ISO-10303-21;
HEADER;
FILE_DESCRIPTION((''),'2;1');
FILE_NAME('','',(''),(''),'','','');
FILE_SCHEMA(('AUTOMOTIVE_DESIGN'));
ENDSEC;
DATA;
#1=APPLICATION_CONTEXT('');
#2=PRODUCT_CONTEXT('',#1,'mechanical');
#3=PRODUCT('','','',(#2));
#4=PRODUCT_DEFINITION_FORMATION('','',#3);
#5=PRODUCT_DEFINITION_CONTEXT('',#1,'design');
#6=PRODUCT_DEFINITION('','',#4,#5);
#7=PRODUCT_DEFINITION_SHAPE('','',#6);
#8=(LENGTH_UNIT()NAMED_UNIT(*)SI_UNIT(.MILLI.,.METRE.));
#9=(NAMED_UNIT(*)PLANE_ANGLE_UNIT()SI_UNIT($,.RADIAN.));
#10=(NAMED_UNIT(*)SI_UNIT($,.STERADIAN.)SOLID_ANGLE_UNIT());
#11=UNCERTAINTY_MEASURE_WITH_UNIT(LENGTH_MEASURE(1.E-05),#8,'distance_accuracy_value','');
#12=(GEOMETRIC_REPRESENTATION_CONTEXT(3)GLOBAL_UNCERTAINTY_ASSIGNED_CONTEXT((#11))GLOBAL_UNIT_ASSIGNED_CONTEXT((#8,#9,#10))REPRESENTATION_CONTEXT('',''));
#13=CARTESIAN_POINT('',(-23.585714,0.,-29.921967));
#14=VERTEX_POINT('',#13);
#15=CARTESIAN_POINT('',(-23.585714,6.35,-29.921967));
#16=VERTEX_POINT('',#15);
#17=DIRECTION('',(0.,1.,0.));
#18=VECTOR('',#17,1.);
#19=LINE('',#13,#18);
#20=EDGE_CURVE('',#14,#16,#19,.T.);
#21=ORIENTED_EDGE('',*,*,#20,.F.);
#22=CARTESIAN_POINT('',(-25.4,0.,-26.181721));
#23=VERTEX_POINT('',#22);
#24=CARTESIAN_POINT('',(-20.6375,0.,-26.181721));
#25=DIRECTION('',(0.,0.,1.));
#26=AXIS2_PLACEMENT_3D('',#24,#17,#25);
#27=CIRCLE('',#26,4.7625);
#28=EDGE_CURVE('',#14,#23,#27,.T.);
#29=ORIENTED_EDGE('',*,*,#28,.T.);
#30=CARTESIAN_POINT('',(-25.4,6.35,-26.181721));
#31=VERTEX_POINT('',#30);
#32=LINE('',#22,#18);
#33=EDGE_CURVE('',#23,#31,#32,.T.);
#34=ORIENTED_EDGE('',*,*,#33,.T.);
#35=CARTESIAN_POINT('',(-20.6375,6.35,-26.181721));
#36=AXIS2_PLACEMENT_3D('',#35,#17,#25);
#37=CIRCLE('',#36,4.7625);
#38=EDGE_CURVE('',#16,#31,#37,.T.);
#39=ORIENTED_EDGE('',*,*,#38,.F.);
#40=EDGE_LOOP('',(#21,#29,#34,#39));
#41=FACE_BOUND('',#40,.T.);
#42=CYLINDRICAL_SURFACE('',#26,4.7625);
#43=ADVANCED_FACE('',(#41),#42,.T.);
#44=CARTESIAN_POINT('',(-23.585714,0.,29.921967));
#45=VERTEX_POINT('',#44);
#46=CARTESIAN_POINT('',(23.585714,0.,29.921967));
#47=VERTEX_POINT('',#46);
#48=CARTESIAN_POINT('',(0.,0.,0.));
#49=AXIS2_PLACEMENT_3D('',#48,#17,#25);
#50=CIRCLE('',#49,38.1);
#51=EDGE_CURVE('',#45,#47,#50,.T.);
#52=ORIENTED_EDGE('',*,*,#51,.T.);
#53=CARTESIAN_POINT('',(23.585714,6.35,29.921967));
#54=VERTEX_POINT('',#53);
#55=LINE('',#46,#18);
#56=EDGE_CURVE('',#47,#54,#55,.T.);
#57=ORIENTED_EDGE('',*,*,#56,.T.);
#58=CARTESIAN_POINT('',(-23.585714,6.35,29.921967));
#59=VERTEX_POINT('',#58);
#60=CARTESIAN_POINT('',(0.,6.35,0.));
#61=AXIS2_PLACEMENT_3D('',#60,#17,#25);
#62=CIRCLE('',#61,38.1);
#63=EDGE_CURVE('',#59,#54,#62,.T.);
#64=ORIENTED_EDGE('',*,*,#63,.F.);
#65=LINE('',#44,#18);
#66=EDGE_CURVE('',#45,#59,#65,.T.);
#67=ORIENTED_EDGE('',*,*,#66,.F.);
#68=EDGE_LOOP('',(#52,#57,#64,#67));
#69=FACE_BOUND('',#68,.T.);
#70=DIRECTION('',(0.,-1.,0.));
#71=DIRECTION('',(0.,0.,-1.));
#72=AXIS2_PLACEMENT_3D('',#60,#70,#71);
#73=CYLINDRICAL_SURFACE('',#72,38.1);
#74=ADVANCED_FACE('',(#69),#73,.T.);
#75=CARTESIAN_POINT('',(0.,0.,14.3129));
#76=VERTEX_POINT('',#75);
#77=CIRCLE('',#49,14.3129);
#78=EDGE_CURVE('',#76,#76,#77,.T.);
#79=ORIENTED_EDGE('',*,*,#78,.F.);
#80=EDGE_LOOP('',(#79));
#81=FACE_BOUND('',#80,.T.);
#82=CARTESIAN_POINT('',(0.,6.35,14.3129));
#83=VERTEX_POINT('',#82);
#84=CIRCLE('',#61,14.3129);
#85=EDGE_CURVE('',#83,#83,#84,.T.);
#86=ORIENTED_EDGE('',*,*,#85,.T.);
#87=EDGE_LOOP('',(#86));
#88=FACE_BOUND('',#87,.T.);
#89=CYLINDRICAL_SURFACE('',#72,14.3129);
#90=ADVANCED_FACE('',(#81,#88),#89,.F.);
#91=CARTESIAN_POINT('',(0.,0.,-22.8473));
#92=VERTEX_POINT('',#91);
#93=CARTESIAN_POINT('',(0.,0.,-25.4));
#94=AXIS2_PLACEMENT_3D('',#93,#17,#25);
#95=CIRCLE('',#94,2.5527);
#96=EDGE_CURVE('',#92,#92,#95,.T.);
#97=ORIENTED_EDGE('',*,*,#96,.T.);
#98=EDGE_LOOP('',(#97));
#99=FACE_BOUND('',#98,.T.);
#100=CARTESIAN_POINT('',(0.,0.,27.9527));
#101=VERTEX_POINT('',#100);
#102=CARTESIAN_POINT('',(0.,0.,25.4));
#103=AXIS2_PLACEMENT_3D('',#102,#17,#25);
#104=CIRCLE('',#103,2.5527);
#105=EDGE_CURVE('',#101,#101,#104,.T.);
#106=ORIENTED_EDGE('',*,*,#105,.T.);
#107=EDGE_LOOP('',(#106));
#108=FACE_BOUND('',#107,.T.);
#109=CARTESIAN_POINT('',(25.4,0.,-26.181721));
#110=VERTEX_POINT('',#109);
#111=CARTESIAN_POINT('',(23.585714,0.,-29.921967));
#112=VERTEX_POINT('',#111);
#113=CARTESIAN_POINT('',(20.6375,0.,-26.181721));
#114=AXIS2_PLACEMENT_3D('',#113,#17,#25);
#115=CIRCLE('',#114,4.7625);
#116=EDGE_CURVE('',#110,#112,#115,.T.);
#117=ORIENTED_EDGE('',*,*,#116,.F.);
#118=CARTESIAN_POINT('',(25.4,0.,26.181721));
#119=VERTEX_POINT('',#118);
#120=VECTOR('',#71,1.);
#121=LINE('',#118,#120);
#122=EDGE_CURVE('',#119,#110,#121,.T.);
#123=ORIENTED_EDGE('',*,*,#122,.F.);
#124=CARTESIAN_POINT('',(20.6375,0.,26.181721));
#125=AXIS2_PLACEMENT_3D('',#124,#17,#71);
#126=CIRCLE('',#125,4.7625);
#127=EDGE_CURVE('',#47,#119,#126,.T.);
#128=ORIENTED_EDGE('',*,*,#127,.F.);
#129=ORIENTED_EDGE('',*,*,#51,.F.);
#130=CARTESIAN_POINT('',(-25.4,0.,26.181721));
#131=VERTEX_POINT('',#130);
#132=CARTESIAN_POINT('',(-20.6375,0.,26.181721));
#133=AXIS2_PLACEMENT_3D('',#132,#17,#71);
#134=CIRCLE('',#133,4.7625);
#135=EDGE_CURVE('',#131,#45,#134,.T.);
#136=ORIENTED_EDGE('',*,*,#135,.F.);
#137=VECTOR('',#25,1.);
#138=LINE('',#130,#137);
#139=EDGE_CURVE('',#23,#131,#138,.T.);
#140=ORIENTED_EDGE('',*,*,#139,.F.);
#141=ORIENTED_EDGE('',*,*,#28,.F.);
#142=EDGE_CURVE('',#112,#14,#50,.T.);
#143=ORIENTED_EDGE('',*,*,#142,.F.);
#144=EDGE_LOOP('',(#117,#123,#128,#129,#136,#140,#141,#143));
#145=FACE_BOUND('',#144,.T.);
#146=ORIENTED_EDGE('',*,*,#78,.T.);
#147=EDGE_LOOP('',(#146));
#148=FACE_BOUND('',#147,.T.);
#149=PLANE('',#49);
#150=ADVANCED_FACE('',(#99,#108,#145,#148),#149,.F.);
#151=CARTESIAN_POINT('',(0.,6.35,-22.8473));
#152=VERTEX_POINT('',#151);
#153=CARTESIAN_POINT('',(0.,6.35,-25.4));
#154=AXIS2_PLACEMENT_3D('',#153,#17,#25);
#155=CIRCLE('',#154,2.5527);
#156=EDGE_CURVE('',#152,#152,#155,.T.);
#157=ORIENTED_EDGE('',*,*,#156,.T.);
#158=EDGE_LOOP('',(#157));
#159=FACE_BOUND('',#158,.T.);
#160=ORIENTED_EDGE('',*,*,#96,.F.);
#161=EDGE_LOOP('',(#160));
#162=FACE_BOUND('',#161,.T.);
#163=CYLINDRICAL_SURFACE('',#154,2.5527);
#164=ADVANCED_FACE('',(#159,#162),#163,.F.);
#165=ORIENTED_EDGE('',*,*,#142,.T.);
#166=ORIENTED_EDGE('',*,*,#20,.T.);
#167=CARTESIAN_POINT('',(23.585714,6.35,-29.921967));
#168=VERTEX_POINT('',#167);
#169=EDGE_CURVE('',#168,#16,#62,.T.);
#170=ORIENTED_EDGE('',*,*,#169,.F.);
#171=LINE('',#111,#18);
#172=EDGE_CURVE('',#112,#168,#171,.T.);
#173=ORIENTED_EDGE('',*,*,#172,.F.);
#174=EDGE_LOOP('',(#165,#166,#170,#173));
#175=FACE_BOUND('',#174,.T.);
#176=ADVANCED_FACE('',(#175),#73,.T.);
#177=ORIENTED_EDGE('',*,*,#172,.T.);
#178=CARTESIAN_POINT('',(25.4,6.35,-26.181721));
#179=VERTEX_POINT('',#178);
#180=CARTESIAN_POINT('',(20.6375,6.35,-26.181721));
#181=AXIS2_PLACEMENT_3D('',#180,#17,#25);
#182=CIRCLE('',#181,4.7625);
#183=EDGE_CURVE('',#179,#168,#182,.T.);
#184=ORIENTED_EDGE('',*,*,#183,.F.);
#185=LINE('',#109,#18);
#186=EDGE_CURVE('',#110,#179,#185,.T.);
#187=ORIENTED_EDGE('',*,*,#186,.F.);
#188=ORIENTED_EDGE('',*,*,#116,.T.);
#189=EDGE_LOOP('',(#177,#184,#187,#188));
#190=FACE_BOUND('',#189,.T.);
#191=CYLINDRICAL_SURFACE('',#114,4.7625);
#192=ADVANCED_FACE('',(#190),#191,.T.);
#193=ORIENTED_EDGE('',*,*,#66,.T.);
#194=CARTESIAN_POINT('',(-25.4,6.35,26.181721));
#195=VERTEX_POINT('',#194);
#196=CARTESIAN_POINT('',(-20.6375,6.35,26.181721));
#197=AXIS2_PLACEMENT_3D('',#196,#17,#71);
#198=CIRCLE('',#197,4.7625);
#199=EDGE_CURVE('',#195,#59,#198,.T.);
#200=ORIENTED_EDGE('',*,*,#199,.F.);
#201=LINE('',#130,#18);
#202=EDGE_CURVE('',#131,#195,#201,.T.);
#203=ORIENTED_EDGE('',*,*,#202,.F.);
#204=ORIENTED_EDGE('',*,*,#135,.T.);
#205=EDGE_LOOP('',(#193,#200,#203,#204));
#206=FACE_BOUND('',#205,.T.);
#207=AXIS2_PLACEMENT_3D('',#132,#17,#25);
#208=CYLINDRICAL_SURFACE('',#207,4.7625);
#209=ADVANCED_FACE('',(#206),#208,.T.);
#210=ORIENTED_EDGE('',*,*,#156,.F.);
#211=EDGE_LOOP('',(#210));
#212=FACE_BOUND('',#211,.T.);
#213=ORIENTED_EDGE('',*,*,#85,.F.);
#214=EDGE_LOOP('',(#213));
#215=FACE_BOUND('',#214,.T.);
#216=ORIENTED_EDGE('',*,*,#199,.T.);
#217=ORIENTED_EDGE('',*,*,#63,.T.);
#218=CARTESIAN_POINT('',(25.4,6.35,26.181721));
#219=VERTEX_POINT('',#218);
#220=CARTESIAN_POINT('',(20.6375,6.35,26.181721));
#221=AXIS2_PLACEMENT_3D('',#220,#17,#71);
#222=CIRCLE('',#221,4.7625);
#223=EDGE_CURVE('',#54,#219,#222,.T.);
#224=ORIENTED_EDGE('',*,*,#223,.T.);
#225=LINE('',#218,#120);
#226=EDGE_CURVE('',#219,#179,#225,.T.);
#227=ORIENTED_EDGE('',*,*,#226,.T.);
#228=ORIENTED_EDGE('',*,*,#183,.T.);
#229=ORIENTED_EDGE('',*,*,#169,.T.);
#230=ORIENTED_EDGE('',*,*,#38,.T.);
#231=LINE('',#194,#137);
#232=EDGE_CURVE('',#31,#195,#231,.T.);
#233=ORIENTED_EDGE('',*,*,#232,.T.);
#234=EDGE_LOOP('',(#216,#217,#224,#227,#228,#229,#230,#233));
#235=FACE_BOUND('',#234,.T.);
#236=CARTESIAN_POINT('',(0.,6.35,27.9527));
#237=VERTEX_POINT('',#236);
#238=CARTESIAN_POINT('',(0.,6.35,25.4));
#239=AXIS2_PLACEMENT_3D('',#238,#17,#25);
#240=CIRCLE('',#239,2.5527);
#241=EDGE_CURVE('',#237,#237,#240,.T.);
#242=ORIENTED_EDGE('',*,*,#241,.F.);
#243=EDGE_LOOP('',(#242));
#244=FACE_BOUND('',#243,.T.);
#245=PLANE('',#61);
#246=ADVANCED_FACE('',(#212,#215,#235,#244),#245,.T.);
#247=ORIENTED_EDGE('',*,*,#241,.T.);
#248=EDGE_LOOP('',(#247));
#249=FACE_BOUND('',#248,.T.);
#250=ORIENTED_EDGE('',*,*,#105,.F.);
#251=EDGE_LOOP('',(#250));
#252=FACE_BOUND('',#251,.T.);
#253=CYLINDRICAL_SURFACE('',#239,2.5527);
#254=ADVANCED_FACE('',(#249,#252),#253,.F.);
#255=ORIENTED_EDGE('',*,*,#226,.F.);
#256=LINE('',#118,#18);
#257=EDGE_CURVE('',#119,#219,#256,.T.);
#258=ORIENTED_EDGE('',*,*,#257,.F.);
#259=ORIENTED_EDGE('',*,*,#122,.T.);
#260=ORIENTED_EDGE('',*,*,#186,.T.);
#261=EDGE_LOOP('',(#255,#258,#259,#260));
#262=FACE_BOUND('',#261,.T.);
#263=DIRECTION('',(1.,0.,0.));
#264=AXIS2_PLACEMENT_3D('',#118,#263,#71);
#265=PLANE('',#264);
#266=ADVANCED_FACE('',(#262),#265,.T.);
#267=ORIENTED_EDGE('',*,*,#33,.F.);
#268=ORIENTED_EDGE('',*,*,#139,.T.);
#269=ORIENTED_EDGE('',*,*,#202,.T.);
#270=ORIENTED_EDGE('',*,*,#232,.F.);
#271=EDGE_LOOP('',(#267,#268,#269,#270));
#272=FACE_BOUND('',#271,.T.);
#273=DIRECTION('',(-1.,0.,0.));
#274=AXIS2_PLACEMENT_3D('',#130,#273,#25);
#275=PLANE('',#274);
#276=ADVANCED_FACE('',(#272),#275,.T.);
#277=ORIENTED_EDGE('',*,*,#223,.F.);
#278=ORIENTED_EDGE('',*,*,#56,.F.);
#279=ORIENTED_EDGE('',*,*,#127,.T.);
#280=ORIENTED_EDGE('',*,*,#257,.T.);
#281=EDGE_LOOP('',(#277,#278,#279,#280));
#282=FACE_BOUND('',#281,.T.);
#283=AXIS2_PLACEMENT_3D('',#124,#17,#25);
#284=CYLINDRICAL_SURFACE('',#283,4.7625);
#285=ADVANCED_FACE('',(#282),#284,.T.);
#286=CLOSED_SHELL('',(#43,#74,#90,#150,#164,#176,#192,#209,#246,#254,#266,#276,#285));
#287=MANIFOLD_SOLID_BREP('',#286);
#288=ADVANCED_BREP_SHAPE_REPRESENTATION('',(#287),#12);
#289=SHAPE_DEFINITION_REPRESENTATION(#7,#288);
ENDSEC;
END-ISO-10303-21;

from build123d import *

# Parameters (mm, degrees)
SKETCH1_R              = 38.1
SKETCH1_R_2            = 14.3129
BOSS_EXTRUDE1_DEPTH    = 6.35
SKETCH4_OUTSIDE_W      = 99.79
SKETCH4_OUTSIDE_H      = 99.79
CUT_EXTRUDE1_DEPTH     = 55.254423783
F_10_CLEARANCE_HOLE2_D = 5.1054


with BuildPart() as part:
    # Sketch1 → Boss-Extrude1 (new body)
    with BuildSketch(Plane(origin=(0, 0, 0), x_dir=(1, 0, 0), z_dir=(0, 1, 0))):
        with Locations(Location((0, 0, 0), (0, 0, 270))):
            Circle(SKETCH1_R)
        with Locations(Location((0, 0, 0), (0, 0, 270))):
            Circle(SKETCH1_R_2, mode=Mode.SUBTRACT)
    extrude(amount=BOSS_EXTRUDE1_DEPTH)

    # Sketch4 outside → Cut-Extrude1 (cut, through all)
    with BuildSketch(Plane(origin=(0, 6.35, 0), x_dir=(1, 0, 0), z_dir=(0, 1, 0))):
        Rectangle(SKETCH4_OUTSIDE_W, SKETCH4_OUTSIDE_H)
        with BuildLine():
            Line((-25.4, -26.181720723), (-25.4, 26.181720723))
            ThreePointArc((-25.4, 26.181720723), (-24.922489894, 28.260246127), (-23.585714286, 29.92196654))
            ThreePointArc((-23.585714286, 29.92196654), (0, 38.1), (23.585714286, 29.92196654))
            ThreePointArc((23.585714286, 29.92196654), (24.922489894, 28.260246127), (25.4, 26.181720723))
            Line((25.4, 26.181720723), (25.4, -26.181720723))
            ThreePointArc((25.4, -26.181720723), (24.922489894, -28.260246127), (23.585714286, -29.92196654))
            ThreePointArc((23.585714286, -29.92196654), (0, -38.1), (-23.585714286, -29.92196654))
            ThreePointArc((-23.585714286, -29.92196654), (-24.922489894, -28.260246127), (-25.4, -26.181720723))
        make_face(mode=Mode.SUBTRACT)
    extrude(amount=-CUT_EXTRUDE1_DEPTH, mode=Mode.SUBTRACT)

    # #10 Clearance Hole2 (through all)
    with Locations(Plane(origin=(0, 6.35, 0), x_dir=(1, 0, 0), z_dir=(0, 1, 0))):
        with Locations((0, 25.4), (0, -25.4)):
            Hole(F_10_CLEARANCE_HOLE2_D / 2)


solid = part.part
